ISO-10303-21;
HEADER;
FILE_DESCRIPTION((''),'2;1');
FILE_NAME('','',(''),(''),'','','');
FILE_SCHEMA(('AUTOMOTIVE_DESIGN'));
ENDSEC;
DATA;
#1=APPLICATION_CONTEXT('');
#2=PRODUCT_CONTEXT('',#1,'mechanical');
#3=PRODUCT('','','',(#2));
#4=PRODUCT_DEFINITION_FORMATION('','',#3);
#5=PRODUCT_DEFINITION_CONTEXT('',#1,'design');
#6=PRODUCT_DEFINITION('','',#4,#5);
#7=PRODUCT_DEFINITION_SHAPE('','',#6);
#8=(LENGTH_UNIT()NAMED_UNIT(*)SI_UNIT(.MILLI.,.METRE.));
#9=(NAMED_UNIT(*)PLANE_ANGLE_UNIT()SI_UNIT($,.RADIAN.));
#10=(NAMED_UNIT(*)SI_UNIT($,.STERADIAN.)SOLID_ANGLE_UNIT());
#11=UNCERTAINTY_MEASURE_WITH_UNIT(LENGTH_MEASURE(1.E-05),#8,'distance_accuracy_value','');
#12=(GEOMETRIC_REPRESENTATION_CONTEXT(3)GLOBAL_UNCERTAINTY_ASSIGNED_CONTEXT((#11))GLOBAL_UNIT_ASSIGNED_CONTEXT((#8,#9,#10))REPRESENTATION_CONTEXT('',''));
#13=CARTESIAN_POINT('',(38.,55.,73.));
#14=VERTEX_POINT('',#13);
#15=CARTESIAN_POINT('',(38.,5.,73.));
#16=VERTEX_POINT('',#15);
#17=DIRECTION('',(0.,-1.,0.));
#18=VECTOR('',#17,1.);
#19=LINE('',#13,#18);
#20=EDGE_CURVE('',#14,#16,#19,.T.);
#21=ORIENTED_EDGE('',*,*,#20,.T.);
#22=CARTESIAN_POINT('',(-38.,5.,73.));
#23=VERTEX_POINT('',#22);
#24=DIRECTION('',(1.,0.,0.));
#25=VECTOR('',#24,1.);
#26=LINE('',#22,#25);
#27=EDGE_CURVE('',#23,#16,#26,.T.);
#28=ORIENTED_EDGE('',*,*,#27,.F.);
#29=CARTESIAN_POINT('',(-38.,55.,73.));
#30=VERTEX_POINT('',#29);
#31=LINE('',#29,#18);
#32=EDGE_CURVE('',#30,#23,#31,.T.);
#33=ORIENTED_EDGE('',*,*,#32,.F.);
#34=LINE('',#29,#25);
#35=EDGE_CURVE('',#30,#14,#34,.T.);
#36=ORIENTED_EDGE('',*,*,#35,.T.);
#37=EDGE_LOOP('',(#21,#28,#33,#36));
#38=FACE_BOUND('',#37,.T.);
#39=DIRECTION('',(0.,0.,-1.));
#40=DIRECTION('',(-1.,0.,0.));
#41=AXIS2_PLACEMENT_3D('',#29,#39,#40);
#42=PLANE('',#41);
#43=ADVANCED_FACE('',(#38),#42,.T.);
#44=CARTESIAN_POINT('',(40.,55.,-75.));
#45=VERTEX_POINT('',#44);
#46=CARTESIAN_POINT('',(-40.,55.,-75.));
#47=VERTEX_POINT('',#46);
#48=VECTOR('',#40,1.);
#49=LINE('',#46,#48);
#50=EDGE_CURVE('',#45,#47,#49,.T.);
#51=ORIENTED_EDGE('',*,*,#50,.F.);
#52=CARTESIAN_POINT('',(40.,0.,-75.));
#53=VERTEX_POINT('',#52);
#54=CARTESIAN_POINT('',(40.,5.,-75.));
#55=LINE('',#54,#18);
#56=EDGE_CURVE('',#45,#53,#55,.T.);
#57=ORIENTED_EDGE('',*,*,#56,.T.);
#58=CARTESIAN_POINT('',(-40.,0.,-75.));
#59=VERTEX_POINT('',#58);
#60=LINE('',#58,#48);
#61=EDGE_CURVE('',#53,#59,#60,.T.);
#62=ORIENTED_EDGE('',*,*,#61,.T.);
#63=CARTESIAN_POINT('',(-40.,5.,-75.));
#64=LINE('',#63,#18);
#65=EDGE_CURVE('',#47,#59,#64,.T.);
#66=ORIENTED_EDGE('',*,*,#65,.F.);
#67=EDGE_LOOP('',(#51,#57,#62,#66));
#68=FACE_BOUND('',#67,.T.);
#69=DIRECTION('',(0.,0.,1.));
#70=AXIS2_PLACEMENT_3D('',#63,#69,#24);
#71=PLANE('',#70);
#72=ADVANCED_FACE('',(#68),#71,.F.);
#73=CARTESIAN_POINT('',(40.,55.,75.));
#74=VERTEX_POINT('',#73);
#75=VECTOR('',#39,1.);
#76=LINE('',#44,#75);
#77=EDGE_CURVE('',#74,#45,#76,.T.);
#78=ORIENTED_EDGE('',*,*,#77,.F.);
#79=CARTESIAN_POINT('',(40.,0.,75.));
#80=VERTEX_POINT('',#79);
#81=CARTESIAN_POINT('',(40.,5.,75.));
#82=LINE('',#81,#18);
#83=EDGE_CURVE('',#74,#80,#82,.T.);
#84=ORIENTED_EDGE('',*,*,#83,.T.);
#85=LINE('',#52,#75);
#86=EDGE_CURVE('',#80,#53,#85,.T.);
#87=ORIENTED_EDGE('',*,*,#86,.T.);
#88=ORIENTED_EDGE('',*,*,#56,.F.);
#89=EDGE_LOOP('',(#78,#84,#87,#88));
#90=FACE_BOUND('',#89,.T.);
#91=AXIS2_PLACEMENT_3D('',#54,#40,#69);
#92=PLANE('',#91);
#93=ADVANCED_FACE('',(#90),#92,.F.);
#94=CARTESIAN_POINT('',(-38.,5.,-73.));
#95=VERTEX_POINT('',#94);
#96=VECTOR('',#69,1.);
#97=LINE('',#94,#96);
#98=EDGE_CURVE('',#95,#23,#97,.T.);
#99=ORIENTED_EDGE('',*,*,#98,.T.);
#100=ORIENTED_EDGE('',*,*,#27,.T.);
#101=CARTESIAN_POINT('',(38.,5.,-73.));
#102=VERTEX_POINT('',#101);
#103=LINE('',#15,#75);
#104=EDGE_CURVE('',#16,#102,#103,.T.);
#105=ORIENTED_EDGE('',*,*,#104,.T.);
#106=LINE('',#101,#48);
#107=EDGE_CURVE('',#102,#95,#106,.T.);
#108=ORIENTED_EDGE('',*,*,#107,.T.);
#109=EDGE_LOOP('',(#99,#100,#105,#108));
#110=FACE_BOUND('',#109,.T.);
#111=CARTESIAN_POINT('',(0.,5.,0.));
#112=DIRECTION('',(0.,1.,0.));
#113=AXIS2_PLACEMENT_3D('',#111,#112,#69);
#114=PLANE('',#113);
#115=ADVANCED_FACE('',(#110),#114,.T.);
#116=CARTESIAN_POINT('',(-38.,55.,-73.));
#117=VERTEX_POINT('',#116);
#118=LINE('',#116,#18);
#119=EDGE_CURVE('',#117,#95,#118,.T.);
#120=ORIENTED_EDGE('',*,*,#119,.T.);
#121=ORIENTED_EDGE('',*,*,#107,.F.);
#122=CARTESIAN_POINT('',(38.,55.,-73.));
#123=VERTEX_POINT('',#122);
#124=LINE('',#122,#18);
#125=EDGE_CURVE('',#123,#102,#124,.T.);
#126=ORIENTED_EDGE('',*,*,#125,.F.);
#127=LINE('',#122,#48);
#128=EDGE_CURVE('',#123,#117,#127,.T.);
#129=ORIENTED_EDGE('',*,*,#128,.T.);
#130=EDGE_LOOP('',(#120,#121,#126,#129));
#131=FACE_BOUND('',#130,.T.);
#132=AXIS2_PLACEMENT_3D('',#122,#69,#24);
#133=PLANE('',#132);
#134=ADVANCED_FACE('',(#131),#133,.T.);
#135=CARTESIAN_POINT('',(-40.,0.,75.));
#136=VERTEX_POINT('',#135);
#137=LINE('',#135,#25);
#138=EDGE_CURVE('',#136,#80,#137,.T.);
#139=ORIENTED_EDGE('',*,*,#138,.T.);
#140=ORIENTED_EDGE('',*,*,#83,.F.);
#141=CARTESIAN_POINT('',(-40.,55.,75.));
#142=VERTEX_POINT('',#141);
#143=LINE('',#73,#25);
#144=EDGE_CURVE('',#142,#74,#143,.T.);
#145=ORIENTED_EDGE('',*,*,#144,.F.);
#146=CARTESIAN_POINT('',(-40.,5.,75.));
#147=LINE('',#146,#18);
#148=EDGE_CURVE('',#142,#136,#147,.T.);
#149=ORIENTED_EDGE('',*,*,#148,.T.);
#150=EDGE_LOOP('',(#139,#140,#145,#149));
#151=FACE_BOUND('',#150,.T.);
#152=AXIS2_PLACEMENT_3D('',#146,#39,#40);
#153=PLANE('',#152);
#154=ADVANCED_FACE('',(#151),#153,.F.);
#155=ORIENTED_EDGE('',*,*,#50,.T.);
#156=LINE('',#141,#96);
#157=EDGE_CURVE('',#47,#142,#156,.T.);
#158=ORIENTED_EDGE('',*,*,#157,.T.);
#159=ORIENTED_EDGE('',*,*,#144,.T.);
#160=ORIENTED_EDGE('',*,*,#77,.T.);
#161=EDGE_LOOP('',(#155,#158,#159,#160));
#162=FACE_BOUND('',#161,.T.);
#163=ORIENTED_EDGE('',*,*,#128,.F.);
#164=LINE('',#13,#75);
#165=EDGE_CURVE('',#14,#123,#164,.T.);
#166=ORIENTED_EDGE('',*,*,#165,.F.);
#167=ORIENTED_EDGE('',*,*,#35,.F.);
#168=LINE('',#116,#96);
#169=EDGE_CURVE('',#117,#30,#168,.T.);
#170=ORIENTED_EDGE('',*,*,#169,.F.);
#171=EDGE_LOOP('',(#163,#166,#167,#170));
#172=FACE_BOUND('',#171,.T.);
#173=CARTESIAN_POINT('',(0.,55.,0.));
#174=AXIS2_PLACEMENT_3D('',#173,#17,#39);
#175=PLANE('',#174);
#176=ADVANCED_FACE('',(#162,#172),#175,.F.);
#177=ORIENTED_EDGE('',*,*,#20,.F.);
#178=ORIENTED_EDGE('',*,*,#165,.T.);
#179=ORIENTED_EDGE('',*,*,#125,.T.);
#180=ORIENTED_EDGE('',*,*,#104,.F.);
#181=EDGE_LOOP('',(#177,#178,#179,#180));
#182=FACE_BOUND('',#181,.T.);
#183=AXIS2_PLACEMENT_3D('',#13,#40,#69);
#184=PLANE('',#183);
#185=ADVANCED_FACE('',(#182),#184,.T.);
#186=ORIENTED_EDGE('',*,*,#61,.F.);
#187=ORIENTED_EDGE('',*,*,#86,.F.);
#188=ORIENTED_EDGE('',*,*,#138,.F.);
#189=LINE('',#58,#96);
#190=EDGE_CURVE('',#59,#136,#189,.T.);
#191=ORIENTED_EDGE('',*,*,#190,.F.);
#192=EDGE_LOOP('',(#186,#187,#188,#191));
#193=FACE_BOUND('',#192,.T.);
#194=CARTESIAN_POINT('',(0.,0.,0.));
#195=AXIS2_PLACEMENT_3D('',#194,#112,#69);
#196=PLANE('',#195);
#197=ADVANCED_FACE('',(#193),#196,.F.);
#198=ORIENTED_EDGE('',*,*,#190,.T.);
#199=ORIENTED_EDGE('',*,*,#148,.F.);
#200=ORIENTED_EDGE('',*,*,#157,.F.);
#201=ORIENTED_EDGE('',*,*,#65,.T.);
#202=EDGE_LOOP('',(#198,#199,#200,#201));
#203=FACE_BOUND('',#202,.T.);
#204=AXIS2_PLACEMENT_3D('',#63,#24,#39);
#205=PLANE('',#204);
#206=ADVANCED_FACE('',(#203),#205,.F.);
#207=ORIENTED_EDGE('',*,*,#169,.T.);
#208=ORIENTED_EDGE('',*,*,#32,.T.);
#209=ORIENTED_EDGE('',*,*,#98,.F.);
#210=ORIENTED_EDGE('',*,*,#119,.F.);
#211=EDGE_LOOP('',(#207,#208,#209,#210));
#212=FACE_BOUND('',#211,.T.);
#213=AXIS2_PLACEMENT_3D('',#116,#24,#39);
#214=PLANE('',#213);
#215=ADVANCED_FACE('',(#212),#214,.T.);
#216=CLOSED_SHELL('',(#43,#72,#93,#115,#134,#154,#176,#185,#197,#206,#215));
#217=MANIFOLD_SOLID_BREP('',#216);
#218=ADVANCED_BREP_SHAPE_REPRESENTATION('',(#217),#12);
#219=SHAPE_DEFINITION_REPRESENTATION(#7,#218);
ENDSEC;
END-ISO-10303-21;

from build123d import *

# Parameters (mm, degrees)
SKETCH1_W           = 80
SKETCH1_H           = 150
BOSS_EXTRUDE1_DEPTH = 5
SKETCH2_W           = 80
SKETCH2_H           = 150
SKETCH2_W_2         = 76
SKETCH2_H_2         = 146
BOSS_EXTRUDE2_DEPTH = 50


with BuildPart() as part:
    # Sketch1 → Boss-Extrude1 (new body)
    with BuildSketch(Plane(origin=(0, 0, 0), x_dir=(1, 0, 0), z_dir=(0, 1, 0))):
        Rectangle(SKETCH1_W, SKETCH1_H)
    extrude(amount=BOSS_EXTRUDE1_DEPTH)

    # Sketch2 → Boss-Extrude2 (add)
    with BuildSketch(Plane(origin=(0, 5, 0), x_dir=(1, 0, 0), z_dir=(0, 1, 0))):
        Rectangle(SKETCH2_W, SKETCH2_H)
        Rectangle(SKETCH2_W_2, SKETCH2_H_2, mode=Mode.SUBTRACT)
    extrude(amount=BOSS_EXTRUDE2_DEPTH)


solid = part.part
